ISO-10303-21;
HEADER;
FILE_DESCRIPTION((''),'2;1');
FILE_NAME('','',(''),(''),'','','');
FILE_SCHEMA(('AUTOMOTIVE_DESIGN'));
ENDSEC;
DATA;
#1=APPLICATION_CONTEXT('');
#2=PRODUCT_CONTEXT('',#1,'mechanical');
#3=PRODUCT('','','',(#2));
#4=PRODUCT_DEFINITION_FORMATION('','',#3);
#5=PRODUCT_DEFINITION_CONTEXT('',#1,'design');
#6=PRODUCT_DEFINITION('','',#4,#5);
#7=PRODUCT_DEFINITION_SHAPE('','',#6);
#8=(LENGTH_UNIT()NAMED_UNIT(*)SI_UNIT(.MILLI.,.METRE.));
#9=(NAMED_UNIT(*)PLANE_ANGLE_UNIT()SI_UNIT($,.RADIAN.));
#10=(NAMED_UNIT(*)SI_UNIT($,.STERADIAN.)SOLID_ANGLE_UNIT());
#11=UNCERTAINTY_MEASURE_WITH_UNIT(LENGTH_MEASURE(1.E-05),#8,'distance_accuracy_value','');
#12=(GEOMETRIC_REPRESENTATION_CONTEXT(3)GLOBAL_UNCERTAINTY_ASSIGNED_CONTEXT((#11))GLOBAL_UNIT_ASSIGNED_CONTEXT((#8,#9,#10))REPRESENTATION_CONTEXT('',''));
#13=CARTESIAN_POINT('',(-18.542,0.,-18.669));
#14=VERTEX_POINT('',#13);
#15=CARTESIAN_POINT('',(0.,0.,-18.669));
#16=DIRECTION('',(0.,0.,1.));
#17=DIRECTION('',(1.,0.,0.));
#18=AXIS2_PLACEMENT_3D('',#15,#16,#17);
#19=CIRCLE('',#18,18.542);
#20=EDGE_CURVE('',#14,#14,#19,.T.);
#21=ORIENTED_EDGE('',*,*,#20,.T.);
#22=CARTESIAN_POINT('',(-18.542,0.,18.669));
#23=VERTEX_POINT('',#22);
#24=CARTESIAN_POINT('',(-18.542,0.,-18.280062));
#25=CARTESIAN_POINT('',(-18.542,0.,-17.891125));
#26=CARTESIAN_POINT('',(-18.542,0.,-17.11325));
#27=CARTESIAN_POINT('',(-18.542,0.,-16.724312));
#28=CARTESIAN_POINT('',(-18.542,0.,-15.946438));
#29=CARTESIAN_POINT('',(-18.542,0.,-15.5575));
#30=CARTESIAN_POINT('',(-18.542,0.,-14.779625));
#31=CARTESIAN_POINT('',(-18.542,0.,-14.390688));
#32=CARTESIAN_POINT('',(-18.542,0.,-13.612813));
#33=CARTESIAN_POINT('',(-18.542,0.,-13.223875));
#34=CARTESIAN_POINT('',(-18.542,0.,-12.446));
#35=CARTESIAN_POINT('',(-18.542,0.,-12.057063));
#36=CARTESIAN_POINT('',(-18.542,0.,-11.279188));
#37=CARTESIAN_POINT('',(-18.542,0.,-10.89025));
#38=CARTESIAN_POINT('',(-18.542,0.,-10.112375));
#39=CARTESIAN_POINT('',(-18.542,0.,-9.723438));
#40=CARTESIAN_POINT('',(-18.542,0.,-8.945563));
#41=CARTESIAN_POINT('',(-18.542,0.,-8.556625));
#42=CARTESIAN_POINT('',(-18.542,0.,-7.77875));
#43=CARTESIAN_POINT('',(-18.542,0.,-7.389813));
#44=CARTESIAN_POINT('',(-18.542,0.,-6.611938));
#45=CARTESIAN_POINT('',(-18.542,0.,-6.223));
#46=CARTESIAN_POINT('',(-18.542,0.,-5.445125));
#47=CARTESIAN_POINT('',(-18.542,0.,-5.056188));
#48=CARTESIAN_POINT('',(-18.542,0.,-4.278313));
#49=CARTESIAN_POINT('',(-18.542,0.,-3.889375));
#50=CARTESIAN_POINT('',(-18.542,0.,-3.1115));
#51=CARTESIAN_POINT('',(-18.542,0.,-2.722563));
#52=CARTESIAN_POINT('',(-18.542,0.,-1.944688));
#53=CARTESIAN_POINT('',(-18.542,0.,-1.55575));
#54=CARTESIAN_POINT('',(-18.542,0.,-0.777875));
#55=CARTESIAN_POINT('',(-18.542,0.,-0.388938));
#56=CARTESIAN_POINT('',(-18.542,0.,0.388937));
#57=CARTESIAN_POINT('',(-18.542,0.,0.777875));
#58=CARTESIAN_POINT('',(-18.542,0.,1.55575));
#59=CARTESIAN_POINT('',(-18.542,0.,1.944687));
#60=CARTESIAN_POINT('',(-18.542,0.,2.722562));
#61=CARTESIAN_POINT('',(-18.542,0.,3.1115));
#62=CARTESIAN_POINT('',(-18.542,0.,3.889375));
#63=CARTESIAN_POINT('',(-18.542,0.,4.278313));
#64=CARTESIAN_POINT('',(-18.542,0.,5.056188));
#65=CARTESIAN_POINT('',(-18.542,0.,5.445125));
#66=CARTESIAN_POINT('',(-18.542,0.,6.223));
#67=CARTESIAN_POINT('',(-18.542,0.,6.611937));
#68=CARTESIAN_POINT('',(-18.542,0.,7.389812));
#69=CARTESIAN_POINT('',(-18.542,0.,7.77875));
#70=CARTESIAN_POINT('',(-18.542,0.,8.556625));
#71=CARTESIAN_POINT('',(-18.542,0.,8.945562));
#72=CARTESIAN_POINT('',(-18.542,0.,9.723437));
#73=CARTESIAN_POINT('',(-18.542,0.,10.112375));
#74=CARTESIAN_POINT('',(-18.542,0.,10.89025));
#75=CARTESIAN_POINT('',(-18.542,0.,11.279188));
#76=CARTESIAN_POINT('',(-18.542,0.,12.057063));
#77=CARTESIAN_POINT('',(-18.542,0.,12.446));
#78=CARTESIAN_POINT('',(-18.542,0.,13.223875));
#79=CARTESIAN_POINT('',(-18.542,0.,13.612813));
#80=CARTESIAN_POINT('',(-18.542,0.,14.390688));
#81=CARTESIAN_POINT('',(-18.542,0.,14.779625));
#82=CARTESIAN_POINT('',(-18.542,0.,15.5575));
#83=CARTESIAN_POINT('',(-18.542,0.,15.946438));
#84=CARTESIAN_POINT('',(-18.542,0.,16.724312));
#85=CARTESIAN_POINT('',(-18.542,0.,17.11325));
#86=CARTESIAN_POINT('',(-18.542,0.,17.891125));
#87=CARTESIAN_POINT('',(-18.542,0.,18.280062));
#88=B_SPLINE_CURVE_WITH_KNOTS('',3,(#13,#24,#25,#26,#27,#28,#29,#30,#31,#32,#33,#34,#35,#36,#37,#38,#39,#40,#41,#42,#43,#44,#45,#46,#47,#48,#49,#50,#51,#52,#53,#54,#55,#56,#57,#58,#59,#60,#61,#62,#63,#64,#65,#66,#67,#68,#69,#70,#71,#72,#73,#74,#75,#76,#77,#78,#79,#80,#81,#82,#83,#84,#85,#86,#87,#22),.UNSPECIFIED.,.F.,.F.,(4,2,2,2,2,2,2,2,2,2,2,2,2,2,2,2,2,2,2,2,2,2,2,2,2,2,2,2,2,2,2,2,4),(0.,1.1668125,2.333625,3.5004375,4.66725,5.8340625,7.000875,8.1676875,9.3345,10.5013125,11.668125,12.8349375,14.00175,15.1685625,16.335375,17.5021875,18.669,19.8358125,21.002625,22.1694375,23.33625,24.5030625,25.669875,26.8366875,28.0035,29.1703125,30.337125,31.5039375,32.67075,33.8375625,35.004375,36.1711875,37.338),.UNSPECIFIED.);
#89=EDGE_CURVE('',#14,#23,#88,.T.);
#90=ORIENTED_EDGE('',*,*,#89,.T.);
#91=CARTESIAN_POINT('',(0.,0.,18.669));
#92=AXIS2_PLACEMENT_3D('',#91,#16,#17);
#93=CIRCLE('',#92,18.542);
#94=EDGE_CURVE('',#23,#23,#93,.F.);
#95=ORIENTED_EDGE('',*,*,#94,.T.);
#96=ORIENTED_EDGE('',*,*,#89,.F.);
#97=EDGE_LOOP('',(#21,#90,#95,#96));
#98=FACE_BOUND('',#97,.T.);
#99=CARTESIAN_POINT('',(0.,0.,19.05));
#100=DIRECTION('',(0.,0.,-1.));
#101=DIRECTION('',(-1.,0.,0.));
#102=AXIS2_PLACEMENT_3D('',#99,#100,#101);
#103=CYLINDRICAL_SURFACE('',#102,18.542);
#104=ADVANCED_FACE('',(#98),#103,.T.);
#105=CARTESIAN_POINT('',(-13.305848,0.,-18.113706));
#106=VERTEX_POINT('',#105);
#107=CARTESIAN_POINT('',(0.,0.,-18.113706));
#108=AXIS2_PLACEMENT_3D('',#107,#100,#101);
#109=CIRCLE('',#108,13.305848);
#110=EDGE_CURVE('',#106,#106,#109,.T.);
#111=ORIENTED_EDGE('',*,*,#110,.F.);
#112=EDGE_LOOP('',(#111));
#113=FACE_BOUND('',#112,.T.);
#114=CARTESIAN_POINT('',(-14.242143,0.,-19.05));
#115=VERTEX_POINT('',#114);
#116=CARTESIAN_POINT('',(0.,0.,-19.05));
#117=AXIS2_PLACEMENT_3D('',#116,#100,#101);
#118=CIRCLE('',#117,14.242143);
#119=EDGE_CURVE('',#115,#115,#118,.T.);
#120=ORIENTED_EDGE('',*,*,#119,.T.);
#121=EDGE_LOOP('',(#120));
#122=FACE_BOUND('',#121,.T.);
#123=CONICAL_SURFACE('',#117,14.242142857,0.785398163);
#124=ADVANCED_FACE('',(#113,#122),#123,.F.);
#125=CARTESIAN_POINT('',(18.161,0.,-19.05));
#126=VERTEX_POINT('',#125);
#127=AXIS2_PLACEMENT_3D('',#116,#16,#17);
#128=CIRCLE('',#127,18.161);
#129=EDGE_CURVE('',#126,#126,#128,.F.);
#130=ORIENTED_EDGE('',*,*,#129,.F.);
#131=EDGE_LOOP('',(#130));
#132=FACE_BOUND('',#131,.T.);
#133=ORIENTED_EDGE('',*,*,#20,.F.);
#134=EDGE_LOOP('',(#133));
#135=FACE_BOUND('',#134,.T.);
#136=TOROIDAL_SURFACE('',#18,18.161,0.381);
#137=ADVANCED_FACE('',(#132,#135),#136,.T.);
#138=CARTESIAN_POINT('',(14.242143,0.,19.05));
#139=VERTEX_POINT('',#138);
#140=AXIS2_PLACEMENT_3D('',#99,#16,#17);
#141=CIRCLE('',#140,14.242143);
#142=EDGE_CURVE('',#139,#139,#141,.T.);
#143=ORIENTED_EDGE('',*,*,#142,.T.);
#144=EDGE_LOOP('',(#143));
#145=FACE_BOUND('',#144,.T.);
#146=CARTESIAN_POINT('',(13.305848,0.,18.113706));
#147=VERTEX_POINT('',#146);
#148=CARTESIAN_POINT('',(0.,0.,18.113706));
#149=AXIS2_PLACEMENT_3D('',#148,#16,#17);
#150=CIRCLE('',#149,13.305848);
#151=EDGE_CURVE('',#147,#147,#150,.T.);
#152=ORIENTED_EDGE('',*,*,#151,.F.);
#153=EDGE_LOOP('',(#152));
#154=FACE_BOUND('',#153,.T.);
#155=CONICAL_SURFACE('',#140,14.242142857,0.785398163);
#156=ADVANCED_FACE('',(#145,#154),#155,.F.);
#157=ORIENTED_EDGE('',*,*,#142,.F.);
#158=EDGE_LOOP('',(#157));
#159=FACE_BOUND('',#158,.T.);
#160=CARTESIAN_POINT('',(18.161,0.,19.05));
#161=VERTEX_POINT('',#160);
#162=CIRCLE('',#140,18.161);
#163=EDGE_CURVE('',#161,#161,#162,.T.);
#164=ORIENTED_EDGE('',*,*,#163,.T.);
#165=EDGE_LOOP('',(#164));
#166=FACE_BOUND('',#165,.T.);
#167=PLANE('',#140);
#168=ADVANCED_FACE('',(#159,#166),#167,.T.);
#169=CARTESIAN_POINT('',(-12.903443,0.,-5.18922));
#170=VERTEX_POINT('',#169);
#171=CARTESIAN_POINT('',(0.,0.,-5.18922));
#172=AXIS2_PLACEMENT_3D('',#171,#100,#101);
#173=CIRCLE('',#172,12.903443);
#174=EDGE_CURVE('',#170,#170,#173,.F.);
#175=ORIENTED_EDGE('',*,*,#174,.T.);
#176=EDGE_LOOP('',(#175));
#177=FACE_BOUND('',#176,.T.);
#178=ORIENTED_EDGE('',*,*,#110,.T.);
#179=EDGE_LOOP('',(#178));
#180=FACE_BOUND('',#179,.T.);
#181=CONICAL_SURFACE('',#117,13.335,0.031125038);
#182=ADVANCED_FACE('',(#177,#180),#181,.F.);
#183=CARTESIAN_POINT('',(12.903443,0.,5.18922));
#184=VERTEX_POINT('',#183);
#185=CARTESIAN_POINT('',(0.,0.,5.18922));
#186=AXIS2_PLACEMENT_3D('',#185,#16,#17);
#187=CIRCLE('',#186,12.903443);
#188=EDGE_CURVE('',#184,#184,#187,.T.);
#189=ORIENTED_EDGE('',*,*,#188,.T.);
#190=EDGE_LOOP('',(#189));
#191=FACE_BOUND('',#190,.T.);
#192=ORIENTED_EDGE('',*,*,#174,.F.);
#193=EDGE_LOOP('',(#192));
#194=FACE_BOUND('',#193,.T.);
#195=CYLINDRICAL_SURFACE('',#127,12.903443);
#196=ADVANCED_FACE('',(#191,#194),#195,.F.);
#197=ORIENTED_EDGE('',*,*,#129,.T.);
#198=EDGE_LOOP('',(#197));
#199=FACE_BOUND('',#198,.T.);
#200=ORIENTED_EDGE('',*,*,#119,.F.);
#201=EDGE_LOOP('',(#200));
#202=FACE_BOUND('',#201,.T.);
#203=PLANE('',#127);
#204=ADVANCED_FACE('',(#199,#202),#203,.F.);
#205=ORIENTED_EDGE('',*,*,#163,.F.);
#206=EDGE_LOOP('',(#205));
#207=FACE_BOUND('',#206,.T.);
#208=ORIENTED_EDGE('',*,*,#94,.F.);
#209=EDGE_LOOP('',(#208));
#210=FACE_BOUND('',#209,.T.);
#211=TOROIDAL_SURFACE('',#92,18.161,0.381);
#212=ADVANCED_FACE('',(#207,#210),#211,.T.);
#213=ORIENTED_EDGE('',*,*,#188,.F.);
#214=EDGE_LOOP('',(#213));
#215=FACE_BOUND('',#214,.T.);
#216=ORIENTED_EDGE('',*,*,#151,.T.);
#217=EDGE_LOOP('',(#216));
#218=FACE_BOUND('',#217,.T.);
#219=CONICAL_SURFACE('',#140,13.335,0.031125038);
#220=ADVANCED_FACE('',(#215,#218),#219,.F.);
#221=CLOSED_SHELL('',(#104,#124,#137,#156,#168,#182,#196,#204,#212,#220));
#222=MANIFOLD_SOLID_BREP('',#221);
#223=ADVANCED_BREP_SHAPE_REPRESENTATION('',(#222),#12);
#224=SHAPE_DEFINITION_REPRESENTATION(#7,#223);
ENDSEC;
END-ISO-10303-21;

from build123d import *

# Parameters (mm, degrees)
SKETCH1_R                   = 18.542
EXTRUDE1_DEPTH              = 19.05
SKETCH2_R                   = 13.335
CUT_EXTRUDE1_DEPTH          = 13.86078
CUT_EXTRUDE1_DRAFT          = -1.783333333
SKETCH5_R                   = 14.242142857
CUT_EXTRUDE3_DEPTH          = 3.175
CUT_EXTRUDE3_DRAFT          = -45
CIRPATTERN1_COPY_1_SKETCH_R = 13.335
CIRPATTERN1_COPY_1_DEPTH    = 13.86078
CIRPATTERN1_COPY_1_DRAFT    = -1.783333333
CIRPATTERN1_COPY_2_SKETCH_R = 14.242142857
CIRPATTERN1_COPY_2_DEPTH    = 3.175
CIRPATTERN1_COPY_2_DRAFT    = -45
FILLET1_R                   = 0.381
SKETCH8_R                   = 12.903443323
CUT_EXTRUDE5_DEPTH          = 36.709260955


with BuildPart() as part:
    # Sketch1 → Extrude1 (new, symmetric)
    with BuildSketch(Plane.XY):
        Circle(SKETCH1_R)
    extrude(amount=EXTRUDE1_DEPTH, both=True)


with BuildPart() as cut_extrude1_tool:
    # Sketch2 → Cut-Extrude1 (with draft: the straight prism first)
    with BuildSketch(Plane.XY.offset(19.05)):
        Circle(SKETCH2_R)
    extrude(amount=-CUT_EXTRUDE1_DEPTH)
    # Cut-Extrude1: the draft: its side faces are tilted about the plane it starts from
    cut_extrude1_sides = [cut_extrude1_tool.faces().sort_by_distance(p)[0] for p in [
        (-13.335, 0, 12.11961),
    ]]
    draft(cut_extrude1_sides, Plane.XY.offset(19.05), CUT_EXTRUDE1_DRAFT)


with BuildPart() as part_1:
    add(part.part)

    # Cut-Extrude1: cut by cut_extrude1_tool
    add(cut_extrude1_tool.part, mode=Mode.SUBTRACT)


with BuildPart() as cut_extrude3_tool:
    # Sketch5 → Cut-Extrude3 (with draft: the straight prism first)
    with BuildSketch(Plane.XY.offset(19.05)):
        Circle(SKETCH5_R)
    extrude(amount=-CUT_EXTRUDE3_DEPTH)
    # Cut-Extrude3: the draft: its side faces are tilted about the plane it starts from
    cut_extrude3_sides = [cut_extrude3_tool.faces().sort_by_distance(p)[0] for p in [
        (-14.242142857, 0, 17.4625),
    ]]
    draft(cut_extrude3_sides, Plane.XY.offset(19.05), CUT_EXTRUDE3_DRAFT)


with BuildPart() as part_2:
    add(part_1.part)

    # Cut-Extrude3: cut by cut_extrude3_tool
    add(cut_extrude3_tool.part, mode=Mode.SUBTRACT)


with BuildPart() as cirpattern1_copy_1_tool:
    # CirPattern1 copy 1 sketch → CirPattern1 copy 1 (with draft: the straight prism first)
    with BuildSketch(Plane(origin=(0, 0, -19.05), x_dir=(-1, 0, 0), z_dir=(0, 0, -1))):
        Circle(CIRPATTERN1_COPY_1_SKETCH_R)
    extrude(amount=-CIRPATTERN1_COPY_1_DEPTH)
    # CirPattern1 copy 1: the draft: its side faces are tilted about the plane it starts from
    cirpattern1_copy_1_sides = [cirpattern1_copy_1_tool.faces().sort_by_distance(p)[0] for p in [
        (13.335, 0, -12.11961),
    ]]
    draft(cirpattern1_copy_1_sides, Plane(origin=(0, 0, -19.05), x_dir=(-1, 0, 0), z_dir=(0, 0, -1)), CIRPATTERN1_COPY_1_DRAFT)


with BuildPart() as part_3:
    add(part_2.part)

    # CirPattern1 copy 1: cut by cirpattern1_copy_1_tool
    add(cirpattern1_copy_1_tool.part, mode=Mode.SUBTRACT)


with BuildPart() as cirpattern1_copy_2_tool:
    # CirPattern1 copy 2 sketch → CirPattern1 copy 2 (with draft: the straight prism first)
    with BuildSketch(Plane(origin=(0, 0, -19.05), x_dir=(-1, 0, 0), z_dir=(0, 0, -1))):
        Circle(CIRPATTERN1_COPY_2_SKETCH_R)
    extrude(amount=-CIRPATTERN1_COPY_2_DEPTH)
    # CirPattern1 copy 2: the draft: its side faces are tilted about the plane it starts from
    cirpattern1_copy_2_sides = [cirpattern1_copy_2_tool.faces().sort_by_distance(p)[0] for p in [
        (14.242142857, 0, -17.4625),
    ]]
    draft(cirpattern1_copy_2_sides, Plane(origin=(0, 0, -19.05), x_dir=(-1, 0, 0), z_dir=(0, 0, -1)), CIRPATTERN1_COPY_2_DRAFT)


with BuildPart() as part_4:
    add(part_3.part)

    # CirPattern1 copy 2: cut by cirpattern1_copy_2_tool
    add(cirpattern1_copy_2_tool.part, mode=Mode.SUBTRACT)

    # Fillet1
    fillet1_edges = [part_4.edges().sort_by_distance(p)[0] for p in [
        (-18.542, 0, -19.05),
        (-18.542, 0, 19.05),
    ]]
    fillet(fillet1_edges, radius=FILLET1_R)

    # Sketch8 → Cut-Extrude5 (cut, through all)
    with BuildSketch(Plane.XY.offset(5.18922)):
        Circle(SKETCH8_R)
    extrude(amount=-CUT_EXTRUDE5_DEPTH, mode=Mode.SUBTRACT)


solid = part_4.part
